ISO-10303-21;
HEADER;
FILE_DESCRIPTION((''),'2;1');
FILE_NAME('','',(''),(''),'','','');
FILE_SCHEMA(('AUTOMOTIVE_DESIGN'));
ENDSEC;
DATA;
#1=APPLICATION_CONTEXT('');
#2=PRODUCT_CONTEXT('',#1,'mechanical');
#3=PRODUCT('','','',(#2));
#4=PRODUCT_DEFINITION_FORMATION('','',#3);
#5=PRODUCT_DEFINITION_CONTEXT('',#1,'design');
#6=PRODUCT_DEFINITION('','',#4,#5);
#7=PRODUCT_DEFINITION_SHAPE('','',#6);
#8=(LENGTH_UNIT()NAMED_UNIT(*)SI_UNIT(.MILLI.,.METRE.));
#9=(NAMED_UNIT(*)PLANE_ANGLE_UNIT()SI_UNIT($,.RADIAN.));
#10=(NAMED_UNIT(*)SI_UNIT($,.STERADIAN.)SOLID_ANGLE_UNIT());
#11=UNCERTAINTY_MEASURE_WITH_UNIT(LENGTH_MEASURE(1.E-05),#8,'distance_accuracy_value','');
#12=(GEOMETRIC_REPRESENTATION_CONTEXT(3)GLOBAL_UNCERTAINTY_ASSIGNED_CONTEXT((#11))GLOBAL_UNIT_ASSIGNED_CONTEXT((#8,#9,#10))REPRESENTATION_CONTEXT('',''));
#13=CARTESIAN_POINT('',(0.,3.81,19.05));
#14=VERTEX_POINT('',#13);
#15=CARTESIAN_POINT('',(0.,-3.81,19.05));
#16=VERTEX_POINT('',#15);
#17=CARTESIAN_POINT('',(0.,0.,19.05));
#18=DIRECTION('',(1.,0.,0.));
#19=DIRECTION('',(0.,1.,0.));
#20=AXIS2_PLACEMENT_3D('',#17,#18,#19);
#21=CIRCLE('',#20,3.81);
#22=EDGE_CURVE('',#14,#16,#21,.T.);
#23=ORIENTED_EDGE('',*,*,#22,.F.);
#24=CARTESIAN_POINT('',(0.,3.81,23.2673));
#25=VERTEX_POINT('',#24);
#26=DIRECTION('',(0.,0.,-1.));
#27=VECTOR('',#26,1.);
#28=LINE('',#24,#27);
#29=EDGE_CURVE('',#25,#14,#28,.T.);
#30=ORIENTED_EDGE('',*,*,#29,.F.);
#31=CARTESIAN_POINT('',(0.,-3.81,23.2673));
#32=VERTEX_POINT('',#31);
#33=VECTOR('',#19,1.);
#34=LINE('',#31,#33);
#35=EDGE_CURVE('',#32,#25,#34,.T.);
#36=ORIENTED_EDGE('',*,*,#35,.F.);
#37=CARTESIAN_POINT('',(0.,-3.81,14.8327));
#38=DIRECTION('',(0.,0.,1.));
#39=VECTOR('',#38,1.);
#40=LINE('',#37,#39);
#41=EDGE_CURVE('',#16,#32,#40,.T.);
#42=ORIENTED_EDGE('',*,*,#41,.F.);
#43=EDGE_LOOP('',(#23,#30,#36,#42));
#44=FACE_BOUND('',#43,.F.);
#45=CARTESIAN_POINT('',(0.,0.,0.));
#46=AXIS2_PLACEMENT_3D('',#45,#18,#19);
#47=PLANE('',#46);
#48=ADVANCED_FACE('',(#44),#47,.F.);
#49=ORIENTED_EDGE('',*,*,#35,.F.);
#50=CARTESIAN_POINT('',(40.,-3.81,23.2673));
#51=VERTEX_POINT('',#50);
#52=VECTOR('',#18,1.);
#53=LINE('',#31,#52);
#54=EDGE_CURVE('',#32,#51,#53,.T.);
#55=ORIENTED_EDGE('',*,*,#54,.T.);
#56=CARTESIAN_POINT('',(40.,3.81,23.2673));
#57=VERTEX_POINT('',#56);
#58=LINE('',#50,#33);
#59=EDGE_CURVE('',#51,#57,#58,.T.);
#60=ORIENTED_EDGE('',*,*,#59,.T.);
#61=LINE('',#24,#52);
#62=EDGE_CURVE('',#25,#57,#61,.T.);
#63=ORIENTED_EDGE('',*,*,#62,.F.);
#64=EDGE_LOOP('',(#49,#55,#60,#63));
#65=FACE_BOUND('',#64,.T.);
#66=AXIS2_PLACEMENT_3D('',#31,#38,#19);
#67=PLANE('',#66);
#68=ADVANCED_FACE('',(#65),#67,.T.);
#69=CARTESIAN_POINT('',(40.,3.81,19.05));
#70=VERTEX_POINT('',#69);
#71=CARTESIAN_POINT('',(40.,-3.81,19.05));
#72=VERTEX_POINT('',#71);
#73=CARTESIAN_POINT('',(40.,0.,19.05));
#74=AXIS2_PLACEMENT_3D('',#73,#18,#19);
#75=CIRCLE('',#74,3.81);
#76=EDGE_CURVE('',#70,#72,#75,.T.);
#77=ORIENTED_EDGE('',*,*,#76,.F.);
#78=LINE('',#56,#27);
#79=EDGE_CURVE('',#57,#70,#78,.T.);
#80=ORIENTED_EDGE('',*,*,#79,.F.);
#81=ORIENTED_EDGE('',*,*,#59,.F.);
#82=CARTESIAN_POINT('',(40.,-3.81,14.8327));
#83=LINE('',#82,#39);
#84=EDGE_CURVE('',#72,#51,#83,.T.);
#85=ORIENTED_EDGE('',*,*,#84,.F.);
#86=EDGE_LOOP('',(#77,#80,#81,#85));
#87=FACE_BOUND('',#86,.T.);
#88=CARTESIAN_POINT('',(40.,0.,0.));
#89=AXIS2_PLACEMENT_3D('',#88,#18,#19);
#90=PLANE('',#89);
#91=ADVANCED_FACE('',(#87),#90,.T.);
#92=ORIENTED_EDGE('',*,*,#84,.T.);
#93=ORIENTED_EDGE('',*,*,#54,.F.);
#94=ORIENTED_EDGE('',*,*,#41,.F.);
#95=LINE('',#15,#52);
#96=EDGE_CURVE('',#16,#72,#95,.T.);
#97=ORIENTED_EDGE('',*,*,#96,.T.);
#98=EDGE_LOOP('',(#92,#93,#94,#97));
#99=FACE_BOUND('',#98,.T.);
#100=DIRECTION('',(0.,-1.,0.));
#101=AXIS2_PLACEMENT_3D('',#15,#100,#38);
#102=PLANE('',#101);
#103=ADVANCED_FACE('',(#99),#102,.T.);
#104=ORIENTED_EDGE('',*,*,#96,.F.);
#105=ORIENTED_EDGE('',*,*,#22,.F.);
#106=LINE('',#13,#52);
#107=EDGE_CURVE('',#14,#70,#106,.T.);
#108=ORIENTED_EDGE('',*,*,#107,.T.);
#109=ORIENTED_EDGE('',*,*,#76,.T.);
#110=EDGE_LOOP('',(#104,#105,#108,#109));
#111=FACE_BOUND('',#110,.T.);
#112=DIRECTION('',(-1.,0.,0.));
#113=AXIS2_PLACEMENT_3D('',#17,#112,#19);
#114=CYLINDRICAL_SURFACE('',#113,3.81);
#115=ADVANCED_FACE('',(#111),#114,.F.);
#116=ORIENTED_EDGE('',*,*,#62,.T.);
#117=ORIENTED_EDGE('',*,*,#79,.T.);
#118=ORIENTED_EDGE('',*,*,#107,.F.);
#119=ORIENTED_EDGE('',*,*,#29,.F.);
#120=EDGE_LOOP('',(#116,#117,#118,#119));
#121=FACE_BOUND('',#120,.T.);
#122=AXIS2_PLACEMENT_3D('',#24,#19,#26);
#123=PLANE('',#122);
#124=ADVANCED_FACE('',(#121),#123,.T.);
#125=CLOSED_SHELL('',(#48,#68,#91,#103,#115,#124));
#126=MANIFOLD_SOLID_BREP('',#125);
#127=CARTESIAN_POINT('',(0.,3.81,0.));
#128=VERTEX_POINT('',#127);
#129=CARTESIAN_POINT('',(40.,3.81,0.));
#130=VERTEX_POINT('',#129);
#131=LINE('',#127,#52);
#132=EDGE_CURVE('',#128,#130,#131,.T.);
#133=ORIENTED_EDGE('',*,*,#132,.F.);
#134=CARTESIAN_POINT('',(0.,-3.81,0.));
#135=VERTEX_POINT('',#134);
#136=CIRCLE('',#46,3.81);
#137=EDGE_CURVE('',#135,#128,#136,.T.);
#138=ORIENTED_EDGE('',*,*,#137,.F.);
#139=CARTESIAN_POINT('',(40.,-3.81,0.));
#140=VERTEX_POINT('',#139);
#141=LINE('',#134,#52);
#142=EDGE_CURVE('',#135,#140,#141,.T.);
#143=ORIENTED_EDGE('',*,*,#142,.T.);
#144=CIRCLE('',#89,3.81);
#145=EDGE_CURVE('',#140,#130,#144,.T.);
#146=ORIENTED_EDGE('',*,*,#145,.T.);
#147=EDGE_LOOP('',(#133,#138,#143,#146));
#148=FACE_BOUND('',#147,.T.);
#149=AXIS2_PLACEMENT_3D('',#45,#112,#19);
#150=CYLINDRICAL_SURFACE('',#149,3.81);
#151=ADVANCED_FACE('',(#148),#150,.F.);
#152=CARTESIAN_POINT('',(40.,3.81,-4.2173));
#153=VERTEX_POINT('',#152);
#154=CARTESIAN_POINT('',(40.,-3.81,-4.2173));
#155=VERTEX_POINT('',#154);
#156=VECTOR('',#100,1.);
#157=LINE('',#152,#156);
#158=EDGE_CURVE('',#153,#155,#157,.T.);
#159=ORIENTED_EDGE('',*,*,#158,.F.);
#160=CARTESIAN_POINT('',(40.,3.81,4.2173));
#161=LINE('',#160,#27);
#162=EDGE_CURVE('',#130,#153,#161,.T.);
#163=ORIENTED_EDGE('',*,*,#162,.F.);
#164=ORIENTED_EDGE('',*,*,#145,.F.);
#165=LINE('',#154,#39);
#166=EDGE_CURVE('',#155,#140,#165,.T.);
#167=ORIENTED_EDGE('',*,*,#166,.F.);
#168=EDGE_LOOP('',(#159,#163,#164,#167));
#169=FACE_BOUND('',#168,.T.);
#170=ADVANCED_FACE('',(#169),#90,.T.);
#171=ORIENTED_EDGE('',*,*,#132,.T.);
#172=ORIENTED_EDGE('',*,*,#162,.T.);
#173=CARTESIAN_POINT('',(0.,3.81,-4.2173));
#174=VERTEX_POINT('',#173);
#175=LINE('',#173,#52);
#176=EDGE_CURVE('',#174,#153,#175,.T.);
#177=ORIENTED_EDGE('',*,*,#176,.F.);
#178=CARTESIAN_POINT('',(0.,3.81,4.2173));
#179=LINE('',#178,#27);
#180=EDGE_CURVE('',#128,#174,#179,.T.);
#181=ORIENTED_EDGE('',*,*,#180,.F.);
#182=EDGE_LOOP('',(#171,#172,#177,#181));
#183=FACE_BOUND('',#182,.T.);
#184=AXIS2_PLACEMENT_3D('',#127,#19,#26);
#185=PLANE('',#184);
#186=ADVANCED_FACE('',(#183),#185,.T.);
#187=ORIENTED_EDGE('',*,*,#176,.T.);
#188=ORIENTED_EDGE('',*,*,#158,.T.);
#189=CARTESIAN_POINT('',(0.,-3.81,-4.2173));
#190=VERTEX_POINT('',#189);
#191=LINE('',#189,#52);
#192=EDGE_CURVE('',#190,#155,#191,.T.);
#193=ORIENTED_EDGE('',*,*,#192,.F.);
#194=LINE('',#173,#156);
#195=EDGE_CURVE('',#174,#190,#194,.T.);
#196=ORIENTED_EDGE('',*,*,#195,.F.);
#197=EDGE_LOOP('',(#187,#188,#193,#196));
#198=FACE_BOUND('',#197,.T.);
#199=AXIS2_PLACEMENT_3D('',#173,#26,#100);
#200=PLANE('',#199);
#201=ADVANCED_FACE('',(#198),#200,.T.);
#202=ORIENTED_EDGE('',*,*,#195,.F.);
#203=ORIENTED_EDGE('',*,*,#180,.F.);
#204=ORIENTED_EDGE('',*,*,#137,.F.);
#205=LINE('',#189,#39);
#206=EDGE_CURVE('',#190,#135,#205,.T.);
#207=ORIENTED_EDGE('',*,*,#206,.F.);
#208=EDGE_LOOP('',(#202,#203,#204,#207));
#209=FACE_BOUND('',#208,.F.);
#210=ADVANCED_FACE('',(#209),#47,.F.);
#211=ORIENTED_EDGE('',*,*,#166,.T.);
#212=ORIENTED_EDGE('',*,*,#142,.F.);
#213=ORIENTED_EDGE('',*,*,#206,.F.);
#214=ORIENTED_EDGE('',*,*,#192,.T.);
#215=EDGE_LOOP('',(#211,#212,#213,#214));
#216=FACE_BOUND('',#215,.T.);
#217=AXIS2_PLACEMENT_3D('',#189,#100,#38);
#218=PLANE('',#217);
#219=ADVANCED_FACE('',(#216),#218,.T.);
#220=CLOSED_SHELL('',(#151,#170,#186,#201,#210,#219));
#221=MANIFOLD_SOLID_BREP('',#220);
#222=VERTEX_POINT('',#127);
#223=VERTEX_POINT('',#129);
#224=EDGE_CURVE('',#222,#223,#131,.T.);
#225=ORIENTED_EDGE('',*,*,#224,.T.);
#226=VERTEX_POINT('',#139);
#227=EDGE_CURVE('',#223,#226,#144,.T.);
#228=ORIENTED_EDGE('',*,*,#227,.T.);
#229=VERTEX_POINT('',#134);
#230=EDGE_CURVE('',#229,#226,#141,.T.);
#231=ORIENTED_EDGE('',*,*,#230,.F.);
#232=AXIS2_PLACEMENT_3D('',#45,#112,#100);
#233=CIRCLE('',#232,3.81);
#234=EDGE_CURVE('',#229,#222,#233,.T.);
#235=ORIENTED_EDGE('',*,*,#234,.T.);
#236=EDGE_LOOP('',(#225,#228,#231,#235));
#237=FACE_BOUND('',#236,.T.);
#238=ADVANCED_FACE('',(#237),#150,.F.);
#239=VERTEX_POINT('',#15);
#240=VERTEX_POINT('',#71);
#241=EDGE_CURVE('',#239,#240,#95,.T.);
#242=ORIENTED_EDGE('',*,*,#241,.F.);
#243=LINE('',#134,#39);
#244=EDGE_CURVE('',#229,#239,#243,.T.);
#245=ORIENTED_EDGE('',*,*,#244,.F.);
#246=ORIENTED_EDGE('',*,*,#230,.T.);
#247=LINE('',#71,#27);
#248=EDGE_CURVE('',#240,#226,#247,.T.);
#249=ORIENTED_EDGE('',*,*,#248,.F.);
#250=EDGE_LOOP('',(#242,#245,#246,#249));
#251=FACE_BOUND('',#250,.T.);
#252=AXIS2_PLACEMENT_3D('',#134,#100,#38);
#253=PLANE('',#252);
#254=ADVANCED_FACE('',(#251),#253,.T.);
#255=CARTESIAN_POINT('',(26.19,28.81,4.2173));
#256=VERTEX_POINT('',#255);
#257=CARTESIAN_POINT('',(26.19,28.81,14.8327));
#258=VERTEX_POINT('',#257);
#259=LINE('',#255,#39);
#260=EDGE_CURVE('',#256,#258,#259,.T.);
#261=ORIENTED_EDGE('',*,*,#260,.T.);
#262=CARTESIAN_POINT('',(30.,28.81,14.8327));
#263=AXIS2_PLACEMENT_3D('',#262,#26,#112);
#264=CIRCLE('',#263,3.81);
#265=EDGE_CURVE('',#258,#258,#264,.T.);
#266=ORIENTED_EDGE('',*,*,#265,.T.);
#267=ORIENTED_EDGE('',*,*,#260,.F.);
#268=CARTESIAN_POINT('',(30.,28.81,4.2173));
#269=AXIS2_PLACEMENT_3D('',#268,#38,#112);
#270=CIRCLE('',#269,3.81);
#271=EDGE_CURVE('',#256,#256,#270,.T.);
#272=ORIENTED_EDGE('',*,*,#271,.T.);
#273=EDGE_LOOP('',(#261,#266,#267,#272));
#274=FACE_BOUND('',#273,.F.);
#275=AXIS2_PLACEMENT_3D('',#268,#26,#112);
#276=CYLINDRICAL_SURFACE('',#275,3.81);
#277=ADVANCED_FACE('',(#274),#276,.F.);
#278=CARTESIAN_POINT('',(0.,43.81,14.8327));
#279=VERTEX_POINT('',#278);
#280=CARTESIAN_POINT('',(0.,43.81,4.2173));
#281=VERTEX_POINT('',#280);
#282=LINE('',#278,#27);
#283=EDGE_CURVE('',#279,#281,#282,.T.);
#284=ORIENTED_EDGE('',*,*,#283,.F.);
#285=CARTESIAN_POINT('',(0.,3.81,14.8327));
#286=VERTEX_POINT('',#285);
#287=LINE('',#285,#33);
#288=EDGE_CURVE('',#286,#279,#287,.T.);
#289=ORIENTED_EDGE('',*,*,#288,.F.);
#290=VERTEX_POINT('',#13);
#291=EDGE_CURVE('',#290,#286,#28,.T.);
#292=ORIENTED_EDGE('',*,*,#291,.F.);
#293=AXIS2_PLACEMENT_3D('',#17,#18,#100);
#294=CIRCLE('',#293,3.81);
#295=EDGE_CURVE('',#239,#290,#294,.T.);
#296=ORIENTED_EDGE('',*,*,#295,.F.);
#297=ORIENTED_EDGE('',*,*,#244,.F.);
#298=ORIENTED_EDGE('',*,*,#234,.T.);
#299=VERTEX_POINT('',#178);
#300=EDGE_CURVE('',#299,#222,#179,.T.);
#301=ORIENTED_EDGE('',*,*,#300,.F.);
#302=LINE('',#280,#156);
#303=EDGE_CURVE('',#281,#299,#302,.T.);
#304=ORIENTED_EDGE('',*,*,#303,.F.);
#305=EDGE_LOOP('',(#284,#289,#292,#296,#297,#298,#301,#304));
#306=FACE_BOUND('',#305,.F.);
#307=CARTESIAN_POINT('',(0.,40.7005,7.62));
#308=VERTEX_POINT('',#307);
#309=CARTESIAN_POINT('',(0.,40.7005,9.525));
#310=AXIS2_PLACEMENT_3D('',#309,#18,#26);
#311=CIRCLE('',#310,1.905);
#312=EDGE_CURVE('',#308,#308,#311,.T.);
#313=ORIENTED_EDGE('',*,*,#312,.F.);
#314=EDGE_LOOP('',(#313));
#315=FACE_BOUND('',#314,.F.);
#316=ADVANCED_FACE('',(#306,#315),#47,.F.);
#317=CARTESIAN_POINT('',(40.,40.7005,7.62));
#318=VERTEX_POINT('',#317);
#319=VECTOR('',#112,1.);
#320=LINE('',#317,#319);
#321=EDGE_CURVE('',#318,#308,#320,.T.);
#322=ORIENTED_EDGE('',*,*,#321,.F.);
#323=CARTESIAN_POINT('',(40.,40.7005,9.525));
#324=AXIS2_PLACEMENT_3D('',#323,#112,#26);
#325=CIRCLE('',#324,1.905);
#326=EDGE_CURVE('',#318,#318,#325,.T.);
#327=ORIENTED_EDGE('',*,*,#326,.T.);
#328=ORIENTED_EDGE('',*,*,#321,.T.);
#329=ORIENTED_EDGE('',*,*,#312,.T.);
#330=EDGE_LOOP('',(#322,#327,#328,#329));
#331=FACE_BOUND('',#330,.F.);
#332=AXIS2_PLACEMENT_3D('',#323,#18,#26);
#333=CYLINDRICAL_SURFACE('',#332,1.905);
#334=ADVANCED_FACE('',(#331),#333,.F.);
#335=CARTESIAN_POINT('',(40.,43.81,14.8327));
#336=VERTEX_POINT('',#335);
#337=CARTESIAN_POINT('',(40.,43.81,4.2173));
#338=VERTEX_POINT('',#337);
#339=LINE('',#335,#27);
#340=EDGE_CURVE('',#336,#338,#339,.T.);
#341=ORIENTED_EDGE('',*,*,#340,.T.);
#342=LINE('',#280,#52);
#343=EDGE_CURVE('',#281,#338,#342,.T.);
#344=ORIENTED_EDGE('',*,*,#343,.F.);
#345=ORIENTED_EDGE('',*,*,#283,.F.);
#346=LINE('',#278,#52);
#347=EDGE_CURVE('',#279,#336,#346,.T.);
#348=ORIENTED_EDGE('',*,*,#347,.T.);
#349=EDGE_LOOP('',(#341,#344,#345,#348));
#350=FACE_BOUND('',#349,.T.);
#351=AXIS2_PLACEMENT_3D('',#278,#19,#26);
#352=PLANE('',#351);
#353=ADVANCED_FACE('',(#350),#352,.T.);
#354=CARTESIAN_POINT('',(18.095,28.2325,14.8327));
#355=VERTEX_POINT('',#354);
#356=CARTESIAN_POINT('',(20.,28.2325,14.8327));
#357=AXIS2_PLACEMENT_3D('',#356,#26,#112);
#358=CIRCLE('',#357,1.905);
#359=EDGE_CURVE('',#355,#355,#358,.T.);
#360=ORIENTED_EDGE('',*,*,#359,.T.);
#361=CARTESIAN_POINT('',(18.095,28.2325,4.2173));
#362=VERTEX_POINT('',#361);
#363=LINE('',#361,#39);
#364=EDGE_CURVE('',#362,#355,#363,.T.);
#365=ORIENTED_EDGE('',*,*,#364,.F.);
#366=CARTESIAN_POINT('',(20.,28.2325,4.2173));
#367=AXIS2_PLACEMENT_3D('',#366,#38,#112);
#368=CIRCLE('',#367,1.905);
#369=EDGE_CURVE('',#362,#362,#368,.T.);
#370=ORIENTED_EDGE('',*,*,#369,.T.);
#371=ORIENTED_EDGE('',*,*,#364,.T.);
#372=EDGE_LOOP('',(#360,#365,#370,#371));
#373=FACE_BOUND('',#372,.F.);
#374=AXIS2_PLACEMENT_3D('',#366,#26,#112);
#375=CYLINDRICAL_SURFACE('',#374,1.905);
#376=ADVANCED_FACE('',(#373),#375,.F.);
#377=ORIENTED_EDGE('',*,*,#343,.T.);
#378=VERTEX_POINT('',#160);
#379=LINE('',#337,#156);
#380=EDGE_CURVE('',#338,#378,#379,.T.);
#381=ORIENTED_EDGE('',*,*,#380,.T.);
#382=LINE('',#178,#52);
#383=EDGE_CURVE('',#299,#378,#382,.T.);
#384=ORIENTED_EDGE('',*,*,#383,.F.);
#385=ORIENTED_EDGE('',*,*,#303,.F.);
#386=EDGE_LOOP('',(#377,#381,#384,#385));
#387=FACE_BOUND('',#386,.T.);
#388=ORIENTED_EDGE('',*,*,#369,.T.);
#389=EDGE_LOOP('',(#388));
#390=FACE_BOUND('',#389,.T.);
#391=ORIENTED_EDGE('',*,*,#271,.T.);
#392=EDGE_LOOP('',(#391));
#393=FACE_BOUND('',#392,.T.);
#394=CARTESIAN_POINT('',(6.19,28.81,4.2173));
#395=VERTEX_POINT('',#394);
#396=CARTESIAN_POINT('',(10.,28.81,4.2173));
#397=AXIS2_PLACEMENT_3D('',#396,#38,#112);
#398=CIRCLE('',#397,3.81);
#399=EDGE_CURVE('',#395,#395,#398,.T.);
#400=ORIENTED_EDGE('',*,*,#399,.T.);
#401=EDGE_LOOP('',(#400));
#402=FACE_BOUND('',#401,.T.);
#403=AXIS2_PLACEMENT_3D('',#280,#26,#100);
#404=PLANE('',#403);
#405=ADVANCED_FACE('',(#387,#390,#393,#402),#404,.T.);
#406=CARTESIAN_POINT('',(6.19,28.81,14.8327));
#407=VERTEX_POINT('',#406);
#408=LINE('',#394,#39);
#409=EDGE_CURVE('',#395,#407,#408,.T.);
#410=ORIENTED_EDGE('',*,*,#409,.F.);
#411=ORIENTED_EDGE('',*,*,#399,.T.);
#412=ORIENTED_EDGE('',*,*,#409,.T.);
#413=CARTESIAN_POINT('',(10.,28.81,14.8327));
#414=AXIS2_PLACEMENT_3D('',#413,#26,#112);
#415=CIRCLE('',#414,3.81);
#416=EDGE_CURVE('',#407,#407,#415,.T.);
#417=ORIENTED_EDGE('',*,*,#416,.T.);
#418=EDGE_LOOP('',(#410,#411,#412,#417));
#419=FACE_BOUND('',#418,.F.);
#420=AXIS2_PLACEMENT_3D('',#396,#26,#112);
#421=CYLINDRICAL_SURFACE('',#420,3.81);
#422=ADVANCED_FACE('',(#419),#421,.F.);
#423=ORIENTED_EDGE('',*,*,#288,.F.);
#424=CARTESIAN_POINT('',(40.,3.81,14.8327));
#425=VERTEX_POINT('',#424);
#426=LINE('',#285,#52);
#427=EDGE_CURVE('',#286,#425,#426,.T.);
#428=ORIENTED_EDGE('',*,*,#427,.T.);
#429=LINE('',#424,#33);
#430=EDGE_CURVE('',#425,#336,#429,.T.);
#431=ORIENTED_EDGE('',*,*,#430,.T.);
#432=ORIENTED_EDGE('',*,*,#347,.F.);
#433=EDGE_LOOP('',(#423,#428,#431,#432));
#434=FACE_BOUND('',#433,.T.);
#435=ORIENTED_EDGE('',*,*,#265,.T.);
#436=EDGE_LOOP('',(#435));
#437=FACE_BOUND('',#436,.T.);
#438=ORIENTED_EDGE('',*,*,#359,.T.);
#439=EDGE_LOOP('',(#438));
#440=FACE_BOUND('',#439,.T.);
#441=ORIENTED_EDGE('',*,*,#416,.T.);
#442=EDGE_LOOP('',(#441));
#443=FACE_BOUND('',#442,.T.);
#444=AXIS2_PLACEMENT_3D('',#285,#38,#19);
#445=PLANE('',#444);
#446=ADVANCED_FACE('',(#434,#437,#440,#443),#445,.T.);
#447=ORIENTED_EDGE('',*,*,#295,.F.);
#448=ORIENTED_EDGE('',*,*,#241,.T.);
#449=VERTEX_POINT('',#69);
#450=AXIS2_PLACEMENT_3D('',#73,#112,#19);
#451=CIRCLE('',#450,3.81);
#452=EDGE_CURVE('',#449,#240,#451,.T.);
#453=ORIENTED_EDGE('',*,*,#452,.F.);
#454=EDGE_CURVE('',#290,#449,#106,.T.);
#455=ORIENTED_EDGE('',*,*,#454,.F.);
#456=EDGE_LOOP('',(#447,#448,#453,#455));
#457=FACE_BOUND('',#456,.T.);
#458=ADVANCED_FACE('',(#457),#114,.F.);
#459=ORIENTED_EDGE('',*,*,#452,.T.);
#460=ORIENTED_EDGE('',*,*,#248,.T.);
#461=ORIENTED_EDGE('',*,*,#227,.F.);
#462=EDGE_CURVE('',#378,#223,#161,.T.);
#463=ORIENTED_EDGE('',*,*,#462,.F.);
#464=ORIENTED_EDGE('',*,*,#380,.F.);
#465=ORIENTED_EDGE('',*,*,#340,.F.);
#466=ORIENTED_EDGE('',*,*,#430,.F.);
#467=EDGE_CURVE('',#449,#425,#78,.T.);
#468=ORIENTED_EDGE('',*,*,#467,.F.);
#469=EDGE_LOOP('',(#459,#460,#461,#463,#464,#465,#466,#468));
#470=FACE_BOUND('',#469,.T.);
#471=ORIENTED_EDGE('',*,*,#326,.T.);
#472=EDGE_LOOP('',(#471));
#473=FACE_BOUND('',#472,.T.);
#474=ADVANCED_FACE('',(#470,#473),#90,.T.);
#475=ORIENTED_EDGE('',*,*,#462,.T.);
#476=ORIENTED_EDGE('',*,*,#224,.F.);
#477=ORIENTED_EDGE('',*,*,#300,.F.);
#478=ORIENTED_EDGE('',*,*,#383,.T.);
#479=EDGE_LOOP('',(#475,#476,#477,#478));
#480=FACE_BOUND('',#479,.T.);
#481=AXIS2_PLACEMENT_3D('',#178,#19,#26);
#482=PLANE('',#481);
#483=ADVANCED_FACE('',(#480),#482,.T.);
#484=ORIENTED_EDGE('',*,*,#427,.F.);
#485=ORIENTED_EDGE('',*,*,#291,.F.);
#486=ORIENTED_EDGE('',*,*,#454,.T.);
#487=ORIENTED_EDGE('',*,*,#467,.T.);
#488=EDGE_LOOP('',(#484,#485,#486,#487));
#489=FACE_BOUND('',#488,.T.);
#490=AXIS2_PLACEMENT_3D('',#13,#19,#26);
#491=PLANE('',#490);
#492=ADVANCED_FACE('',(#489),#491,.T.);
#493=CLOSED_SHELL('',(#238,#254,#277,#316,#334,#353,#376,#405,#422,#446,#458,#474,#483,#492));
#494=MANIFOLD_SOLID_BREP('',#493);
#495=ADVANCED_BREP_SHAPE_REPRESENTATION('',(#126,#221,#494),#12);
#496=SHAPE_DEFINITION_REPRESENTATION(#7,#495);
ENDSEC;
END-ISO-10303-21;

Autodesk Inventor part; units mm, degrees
ref_plane "YZ Plane" through (0, 0, 0) normal (1, 0, 0) x (0, 1, 0)
ref_plane "XZ Plane" through (0, 0, 0) normal (0, 1, 0) x (-1, 0, 0)
ref_plane "XY Plane" through (0, 0, 0) normal (0, 0, 1) x (1, 0, 0)
sketch "Sketch2" plane through (0, 0, 0) normal (1, 0, 0) x (0, 1, 0)
  circle A0 centre (0, 0) radius 3.81
  line L0 (-3.81, 4.2173) -> (3.81, 4.2173)
  line L1 (3.81, 4.2173) -> (3.81, -4.2173)
  line L2 (3.81, -4.2173) -> (-3.81, -4.2173)
  line L3 (-3.81, -4.2173) -> (-3.81, 4.2173)
  line L4 (-3.81, 4.2173) -> (3.81, -4.2173) construction
  line L5 (3.81, 4.2173) -> (-3.81, -4.2173) construction
  circle A1 centre (0, 19.05) radius 3.81
  line L6 (-3.81, 23.2673) -> (3.81, 23.2673)
  line L7 (3.81, 23.2673) -> (3.81, 14.8327)
  line L8 (3.81, 14.8327) -> (-3.81, 14.8327)
  line L9 (-3.81, 14.8327) -> (-3.81, 23.2673)
  line L10 (-3.81, 23.2673) -> (3.81, 14.8327) construction
  line L11 (3.81, 23.2673) -> (-3.81, 14.8327) construction
  line L12 (0, 0) -> (0, 19.05)
  line L13 (-3.81, 14.8327) -> (-3.81, 4.2173)
  line L14 (3.81, 14.8327) -> (3.81, 4.2173)
  line L15 (3.81, 14.8327) -> (43.81, 14.8327)
  line L16 (43.81, 14.8327) -> (43.81, 4.2173)
  line L17 (43.81, 4.2173) -> (3.81, 4.2173)
  dimension "d42" = 7.62
  dimension "d43" = 42.096
  dimension "d46" = 7.62
  dimension "d47" = 42.096
  dimension "d48" = 19.05
  dimension "d49" = 40
extrude "Extrusion6" add sketch "Sketch2" along normal blind 40 contours L1 L2 L3 A0 | A0 L12 L0 L1 | A0 L3 L0 L12 | L0 L12 L8 L14 | L14 L15 L16 L17 | L0 L13 L8 L12 | L8 L12 A1 L7 | L8 L9 A1 L12 | A1 L9 L6 L7
sketch "Sketch3" plane through (0, 3.81, 4.2173) normal (0, 0, -1) x (-1, 0, 0)
  line L0 (0, 40) -> (-40, 40) projected
  line L1 (0, 0) -> (0, 40) projected
  line L2 (-40, 40) -> (0, 40)
  line L3 (0, 40) -> (0, 0)
  line L4 (0, 0) -> (-40, 0)
  line L5 (-40, 0) -> (-40, 40)
  line L6 (-40, 40) -> (0, 0)
  line L7 (0, 0) -> (-40, 0) projected
  line L8 (-40, 0) -> (0, 40)
  line L9 (-20, 30) -> (-40, 20)
  line L10 (-40, 0) -> (-40, 40) projected
  line L11 (-20, 30) -> (0, 20)
  circle A0 centre (-30, 25) radius 3.81
  circle A1 centre (-10, 25) radius 3.81
  line L12 (-20, 40) -> (-20, 0)
  line L13 (0, 0) -> (-40, 0) projected
  circle A2 centre (-20, 24.4225) radius 1.905
  point P0 (0, -3.81)
  dimension "d51" = 10
  dimension "d52" = 20
  dimension "d55" = 7.62
  dimension "d56" = 7.62
  dimension "d57" = 3.81
  dimension "d58" = 15.5776
extrude "Extrusion7" cut sketch "Sketch3" against normal blind 40 contours A1 L11 L8 | L8 L11 A1 | A1 L8 L11 | L8 A1 L11 | A0 L9 L6 | L6 L9 A0 | A0 L6 L9 | A2 L12 | L12 A2 | L9 L6 A0
thread "Thread6" size "M1x0.25" class "6H" standard "ISO Metric profile" full length
sketch "Sketch4" plane through (40, 0, 0) normal (1, 0, 0) x (0, 0, -1)
  line L0 (-14.8327, 3.81) -> (-4.2173, 3.81)
  line L1 (-4.2173, 3.81) -> (-4.2173, 43.81)
  line L2 (-4.2173, 43.81) -> (-14.8327, 43.81)
  line L3 (-14.8327, 43.81) -> (-14.8327, 3.81)
  line L4 (-9.525, 3.81) -> (-9.525, 43.81)
  circle A0 centre (-9.525, 40.7005) radius 1.905
  point P0 (0, 0)
  point P1 (-9.525, 13.81)
  dimension "d61" = 3.81
extrude "Extrusion8" cut sketch "Sketch4" against normal blind 150 contours A0 L4 | L4 A0
thread "Thread7" size "M1x0.25" class "6H" standard "ISO Metric profile" full length
properties part number "coulissant coté"
